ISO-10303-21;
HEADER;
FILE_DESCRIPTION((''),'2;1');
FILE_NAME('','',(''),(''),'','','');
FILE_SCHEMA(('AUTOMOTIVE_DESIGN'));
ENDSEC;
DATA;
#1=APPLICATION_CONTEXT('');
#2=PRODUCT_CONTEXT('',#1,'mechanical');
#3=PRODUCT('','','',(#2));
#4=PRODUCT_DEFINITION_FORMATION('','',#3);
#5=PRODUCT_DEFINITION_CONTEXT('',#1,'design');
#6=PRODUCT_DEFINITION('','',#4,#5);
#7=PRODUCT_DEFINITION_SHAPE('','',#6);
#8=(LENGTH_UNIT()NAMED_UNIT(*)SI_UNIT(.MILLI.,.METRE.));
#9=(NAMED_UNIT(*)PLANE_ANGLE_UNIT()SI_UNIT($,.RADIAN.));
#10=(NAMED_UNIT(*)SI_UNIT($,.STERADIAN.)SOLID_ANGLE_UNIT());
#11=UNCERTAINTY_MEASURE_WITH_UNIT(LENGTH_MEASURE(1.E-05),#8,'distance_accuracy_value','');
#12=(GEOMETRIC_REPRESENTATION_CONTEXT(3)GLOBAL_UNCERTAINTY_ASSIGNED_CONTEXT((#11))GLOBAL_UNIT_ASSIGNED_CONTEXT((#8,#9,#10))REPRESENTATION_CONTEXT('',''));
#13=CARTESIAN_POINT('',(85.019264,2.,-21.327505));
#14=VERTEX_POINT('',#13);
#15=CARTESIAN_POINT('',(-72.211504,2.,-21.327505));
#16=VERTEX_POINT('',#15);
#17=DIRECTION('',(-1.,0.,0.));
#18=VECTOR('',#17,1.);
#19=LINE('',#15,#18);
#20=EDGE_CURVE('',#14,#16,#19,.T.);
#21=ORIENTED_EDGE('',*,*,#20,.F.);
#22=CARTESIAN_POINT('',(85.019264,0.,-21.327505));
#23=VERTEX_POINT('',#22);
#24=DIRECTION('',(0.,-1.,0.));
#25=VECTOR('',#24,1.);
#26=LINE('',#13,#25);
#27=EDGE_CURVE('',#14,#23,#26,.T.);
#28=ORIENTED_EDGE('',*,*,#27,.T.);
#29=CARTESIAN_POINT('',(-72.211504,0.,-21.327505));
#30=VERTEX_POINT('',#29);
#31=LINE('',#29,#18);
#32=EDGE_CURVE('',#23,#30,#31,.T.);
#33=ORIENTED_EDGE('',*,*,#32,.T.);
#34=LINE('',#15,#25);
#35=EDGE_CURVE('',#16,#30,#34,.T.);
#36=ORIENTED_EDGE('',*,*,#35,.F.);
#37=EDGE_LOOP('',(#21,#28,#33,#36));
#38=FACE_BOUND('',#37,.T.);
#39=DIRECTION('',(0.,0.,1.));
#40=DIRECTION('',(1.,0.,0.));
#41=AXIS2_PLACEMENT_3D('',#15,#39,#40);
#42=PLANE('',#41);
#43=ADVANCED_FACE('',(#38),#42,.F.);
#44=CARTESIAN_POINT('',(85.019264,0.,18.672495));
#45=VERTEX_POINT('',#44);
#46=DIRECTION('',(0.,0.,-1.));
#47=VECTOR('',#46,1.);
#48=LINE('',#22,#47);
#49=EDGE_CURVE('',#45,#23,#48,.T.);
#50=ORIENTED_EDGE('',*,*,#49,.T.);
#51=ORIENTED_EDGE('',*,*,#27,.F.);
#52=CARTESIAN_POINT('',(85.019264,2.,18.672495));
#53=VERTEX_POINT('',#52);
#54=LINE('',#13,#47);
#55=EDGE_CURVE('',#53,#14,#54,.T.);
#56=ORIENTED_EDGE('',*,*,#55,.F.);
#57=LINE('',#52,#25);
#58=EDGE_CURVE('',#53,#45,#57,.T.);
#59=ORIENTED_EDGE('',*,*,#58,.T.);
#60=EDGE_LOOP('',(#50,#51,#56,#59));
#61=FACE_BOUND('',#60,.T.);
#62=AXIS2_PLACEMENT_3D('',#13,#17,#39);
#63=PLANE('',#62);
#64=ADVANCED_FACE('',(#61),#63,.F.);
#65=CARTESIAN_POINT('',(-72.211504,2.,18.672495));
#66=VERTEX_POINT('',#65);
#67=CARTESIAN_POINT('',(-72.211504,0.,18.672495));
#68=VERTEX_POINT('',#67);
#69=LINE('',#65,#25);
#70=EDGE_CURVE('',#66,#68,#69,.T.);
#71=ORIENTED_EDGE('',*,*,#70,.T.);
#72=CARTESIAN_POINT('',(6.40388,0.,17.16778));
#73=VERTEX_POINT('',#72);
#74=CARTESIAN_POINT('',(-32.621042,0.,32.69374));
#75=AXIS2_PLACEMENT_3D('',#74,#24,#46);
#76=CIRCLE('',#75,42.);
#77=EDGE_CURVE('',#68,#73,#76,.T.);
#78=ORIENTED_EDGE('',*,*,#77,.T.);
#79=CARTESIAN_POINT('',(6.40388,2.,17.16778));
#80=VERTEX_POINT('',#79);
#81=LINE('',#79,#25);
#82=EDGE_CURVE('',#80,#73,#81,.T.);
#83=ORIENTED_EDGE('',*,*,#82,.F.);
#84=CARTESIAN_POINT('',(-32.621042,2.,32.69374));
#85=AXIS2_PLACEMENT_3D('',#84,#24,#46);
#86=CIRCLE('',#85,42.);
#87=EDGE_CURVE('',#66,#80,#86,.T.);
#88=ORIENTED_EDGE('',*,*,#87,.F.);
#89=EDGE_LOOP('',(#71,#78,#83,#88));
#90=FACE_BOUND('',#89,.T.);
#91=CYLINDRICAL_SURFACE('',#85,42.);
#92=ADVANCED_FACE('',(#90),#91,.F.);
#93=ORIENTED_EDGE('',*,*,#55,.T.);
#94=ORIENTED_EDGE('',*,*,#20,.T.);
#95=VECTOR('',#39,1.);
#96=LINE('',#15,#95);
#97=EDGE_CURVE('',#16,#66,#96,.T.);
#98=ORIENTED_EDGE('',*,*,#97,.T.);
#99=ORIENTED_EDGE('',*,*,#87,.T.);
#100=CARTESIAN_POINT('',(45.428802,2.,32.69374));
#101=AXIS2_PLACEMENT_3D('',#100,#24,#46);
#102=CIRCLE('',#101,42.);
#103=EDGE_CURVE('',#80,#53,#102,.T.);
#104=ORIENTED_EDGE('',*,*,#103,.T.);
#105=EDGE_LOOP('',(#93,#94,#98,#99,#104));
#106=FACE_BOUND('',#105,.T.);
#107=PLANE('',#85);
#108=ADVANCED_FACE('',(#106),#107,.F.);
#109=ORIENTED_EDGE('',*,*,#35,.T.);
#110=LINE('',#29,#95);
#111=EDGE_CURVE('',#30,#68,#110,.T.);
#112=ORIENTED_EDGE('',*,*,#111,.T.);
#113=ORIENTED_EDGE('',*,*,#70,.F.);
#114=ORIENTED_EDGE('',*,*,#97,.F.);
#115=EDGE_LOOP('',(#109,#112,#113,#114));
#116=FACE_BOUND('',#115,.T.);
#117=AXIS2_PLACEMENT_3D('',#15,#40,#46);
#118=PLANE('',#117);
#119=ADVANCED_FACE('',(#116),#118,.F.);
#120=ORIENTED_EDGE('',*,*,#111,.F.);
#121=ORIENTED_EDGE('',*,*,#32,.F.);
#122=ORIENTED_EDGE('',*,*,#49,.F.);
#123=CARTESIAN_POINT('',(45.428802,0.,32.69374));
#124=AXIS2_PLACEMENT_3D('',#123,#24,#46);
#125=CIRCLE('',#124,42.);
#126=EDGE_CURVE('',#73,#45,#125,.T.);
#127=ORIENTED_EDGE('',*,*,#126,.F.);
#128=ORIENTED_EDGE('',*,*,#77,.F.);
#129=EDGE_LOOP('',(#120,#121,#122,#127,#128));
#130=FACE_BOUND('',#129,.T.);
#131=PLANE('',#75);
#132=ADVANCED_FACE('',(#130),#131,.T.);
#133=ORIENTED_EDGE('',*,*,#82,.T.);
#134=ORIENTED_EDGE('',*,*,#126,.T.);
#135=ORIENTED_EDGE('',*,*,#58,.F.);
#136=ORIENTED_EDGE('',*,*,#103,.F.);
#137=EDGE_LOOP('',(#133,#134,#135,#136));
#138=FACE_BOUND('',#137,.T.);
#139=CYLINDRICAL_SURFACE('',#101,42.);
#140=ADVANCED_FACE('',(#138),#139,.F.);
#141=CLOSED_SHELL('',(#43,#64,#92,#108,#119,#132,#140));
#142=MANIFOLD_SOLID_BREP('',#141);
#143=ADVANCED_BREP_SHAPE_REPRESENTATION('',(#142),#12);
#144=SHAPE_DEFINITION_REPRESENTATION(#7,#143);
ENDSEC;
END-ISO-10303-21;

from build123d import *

# Parameters (mm, degrees)
BOSS_EXTRU_1_DEPTH = 2


with BuildPart() as part:
    # Esquisse1 → Boss.-Extru.1 (new body)
    with BuildSketch(Plane(origin=(0, 0, 0), x_dir=(1, 0, 0), z_dir=(0, 1, 0))):
        with BuildLine():
            Line((-72.21150364, 21.327505301), (85.019264112, 21.327505301))
            Line((85.019264112, 21.327505301), (85.019264112, -18.672494699))
            ThreePointArc((85.019264112, -18.672494699), (46.232543926, 9.298568327), (6.403880236, -17.167779708))
            ThreePointArc((6.403880236, -17.167779708), (-33.424783453, 9.298568327), (-72.21150364, -18.672494699))
            Line((-72.21150364, -18.672494699), (-72.21150364, 21.327505301))
        make_face()
    extrude(amount=BOSS_EXTRU_1_DEPTH)


solid = part.part
